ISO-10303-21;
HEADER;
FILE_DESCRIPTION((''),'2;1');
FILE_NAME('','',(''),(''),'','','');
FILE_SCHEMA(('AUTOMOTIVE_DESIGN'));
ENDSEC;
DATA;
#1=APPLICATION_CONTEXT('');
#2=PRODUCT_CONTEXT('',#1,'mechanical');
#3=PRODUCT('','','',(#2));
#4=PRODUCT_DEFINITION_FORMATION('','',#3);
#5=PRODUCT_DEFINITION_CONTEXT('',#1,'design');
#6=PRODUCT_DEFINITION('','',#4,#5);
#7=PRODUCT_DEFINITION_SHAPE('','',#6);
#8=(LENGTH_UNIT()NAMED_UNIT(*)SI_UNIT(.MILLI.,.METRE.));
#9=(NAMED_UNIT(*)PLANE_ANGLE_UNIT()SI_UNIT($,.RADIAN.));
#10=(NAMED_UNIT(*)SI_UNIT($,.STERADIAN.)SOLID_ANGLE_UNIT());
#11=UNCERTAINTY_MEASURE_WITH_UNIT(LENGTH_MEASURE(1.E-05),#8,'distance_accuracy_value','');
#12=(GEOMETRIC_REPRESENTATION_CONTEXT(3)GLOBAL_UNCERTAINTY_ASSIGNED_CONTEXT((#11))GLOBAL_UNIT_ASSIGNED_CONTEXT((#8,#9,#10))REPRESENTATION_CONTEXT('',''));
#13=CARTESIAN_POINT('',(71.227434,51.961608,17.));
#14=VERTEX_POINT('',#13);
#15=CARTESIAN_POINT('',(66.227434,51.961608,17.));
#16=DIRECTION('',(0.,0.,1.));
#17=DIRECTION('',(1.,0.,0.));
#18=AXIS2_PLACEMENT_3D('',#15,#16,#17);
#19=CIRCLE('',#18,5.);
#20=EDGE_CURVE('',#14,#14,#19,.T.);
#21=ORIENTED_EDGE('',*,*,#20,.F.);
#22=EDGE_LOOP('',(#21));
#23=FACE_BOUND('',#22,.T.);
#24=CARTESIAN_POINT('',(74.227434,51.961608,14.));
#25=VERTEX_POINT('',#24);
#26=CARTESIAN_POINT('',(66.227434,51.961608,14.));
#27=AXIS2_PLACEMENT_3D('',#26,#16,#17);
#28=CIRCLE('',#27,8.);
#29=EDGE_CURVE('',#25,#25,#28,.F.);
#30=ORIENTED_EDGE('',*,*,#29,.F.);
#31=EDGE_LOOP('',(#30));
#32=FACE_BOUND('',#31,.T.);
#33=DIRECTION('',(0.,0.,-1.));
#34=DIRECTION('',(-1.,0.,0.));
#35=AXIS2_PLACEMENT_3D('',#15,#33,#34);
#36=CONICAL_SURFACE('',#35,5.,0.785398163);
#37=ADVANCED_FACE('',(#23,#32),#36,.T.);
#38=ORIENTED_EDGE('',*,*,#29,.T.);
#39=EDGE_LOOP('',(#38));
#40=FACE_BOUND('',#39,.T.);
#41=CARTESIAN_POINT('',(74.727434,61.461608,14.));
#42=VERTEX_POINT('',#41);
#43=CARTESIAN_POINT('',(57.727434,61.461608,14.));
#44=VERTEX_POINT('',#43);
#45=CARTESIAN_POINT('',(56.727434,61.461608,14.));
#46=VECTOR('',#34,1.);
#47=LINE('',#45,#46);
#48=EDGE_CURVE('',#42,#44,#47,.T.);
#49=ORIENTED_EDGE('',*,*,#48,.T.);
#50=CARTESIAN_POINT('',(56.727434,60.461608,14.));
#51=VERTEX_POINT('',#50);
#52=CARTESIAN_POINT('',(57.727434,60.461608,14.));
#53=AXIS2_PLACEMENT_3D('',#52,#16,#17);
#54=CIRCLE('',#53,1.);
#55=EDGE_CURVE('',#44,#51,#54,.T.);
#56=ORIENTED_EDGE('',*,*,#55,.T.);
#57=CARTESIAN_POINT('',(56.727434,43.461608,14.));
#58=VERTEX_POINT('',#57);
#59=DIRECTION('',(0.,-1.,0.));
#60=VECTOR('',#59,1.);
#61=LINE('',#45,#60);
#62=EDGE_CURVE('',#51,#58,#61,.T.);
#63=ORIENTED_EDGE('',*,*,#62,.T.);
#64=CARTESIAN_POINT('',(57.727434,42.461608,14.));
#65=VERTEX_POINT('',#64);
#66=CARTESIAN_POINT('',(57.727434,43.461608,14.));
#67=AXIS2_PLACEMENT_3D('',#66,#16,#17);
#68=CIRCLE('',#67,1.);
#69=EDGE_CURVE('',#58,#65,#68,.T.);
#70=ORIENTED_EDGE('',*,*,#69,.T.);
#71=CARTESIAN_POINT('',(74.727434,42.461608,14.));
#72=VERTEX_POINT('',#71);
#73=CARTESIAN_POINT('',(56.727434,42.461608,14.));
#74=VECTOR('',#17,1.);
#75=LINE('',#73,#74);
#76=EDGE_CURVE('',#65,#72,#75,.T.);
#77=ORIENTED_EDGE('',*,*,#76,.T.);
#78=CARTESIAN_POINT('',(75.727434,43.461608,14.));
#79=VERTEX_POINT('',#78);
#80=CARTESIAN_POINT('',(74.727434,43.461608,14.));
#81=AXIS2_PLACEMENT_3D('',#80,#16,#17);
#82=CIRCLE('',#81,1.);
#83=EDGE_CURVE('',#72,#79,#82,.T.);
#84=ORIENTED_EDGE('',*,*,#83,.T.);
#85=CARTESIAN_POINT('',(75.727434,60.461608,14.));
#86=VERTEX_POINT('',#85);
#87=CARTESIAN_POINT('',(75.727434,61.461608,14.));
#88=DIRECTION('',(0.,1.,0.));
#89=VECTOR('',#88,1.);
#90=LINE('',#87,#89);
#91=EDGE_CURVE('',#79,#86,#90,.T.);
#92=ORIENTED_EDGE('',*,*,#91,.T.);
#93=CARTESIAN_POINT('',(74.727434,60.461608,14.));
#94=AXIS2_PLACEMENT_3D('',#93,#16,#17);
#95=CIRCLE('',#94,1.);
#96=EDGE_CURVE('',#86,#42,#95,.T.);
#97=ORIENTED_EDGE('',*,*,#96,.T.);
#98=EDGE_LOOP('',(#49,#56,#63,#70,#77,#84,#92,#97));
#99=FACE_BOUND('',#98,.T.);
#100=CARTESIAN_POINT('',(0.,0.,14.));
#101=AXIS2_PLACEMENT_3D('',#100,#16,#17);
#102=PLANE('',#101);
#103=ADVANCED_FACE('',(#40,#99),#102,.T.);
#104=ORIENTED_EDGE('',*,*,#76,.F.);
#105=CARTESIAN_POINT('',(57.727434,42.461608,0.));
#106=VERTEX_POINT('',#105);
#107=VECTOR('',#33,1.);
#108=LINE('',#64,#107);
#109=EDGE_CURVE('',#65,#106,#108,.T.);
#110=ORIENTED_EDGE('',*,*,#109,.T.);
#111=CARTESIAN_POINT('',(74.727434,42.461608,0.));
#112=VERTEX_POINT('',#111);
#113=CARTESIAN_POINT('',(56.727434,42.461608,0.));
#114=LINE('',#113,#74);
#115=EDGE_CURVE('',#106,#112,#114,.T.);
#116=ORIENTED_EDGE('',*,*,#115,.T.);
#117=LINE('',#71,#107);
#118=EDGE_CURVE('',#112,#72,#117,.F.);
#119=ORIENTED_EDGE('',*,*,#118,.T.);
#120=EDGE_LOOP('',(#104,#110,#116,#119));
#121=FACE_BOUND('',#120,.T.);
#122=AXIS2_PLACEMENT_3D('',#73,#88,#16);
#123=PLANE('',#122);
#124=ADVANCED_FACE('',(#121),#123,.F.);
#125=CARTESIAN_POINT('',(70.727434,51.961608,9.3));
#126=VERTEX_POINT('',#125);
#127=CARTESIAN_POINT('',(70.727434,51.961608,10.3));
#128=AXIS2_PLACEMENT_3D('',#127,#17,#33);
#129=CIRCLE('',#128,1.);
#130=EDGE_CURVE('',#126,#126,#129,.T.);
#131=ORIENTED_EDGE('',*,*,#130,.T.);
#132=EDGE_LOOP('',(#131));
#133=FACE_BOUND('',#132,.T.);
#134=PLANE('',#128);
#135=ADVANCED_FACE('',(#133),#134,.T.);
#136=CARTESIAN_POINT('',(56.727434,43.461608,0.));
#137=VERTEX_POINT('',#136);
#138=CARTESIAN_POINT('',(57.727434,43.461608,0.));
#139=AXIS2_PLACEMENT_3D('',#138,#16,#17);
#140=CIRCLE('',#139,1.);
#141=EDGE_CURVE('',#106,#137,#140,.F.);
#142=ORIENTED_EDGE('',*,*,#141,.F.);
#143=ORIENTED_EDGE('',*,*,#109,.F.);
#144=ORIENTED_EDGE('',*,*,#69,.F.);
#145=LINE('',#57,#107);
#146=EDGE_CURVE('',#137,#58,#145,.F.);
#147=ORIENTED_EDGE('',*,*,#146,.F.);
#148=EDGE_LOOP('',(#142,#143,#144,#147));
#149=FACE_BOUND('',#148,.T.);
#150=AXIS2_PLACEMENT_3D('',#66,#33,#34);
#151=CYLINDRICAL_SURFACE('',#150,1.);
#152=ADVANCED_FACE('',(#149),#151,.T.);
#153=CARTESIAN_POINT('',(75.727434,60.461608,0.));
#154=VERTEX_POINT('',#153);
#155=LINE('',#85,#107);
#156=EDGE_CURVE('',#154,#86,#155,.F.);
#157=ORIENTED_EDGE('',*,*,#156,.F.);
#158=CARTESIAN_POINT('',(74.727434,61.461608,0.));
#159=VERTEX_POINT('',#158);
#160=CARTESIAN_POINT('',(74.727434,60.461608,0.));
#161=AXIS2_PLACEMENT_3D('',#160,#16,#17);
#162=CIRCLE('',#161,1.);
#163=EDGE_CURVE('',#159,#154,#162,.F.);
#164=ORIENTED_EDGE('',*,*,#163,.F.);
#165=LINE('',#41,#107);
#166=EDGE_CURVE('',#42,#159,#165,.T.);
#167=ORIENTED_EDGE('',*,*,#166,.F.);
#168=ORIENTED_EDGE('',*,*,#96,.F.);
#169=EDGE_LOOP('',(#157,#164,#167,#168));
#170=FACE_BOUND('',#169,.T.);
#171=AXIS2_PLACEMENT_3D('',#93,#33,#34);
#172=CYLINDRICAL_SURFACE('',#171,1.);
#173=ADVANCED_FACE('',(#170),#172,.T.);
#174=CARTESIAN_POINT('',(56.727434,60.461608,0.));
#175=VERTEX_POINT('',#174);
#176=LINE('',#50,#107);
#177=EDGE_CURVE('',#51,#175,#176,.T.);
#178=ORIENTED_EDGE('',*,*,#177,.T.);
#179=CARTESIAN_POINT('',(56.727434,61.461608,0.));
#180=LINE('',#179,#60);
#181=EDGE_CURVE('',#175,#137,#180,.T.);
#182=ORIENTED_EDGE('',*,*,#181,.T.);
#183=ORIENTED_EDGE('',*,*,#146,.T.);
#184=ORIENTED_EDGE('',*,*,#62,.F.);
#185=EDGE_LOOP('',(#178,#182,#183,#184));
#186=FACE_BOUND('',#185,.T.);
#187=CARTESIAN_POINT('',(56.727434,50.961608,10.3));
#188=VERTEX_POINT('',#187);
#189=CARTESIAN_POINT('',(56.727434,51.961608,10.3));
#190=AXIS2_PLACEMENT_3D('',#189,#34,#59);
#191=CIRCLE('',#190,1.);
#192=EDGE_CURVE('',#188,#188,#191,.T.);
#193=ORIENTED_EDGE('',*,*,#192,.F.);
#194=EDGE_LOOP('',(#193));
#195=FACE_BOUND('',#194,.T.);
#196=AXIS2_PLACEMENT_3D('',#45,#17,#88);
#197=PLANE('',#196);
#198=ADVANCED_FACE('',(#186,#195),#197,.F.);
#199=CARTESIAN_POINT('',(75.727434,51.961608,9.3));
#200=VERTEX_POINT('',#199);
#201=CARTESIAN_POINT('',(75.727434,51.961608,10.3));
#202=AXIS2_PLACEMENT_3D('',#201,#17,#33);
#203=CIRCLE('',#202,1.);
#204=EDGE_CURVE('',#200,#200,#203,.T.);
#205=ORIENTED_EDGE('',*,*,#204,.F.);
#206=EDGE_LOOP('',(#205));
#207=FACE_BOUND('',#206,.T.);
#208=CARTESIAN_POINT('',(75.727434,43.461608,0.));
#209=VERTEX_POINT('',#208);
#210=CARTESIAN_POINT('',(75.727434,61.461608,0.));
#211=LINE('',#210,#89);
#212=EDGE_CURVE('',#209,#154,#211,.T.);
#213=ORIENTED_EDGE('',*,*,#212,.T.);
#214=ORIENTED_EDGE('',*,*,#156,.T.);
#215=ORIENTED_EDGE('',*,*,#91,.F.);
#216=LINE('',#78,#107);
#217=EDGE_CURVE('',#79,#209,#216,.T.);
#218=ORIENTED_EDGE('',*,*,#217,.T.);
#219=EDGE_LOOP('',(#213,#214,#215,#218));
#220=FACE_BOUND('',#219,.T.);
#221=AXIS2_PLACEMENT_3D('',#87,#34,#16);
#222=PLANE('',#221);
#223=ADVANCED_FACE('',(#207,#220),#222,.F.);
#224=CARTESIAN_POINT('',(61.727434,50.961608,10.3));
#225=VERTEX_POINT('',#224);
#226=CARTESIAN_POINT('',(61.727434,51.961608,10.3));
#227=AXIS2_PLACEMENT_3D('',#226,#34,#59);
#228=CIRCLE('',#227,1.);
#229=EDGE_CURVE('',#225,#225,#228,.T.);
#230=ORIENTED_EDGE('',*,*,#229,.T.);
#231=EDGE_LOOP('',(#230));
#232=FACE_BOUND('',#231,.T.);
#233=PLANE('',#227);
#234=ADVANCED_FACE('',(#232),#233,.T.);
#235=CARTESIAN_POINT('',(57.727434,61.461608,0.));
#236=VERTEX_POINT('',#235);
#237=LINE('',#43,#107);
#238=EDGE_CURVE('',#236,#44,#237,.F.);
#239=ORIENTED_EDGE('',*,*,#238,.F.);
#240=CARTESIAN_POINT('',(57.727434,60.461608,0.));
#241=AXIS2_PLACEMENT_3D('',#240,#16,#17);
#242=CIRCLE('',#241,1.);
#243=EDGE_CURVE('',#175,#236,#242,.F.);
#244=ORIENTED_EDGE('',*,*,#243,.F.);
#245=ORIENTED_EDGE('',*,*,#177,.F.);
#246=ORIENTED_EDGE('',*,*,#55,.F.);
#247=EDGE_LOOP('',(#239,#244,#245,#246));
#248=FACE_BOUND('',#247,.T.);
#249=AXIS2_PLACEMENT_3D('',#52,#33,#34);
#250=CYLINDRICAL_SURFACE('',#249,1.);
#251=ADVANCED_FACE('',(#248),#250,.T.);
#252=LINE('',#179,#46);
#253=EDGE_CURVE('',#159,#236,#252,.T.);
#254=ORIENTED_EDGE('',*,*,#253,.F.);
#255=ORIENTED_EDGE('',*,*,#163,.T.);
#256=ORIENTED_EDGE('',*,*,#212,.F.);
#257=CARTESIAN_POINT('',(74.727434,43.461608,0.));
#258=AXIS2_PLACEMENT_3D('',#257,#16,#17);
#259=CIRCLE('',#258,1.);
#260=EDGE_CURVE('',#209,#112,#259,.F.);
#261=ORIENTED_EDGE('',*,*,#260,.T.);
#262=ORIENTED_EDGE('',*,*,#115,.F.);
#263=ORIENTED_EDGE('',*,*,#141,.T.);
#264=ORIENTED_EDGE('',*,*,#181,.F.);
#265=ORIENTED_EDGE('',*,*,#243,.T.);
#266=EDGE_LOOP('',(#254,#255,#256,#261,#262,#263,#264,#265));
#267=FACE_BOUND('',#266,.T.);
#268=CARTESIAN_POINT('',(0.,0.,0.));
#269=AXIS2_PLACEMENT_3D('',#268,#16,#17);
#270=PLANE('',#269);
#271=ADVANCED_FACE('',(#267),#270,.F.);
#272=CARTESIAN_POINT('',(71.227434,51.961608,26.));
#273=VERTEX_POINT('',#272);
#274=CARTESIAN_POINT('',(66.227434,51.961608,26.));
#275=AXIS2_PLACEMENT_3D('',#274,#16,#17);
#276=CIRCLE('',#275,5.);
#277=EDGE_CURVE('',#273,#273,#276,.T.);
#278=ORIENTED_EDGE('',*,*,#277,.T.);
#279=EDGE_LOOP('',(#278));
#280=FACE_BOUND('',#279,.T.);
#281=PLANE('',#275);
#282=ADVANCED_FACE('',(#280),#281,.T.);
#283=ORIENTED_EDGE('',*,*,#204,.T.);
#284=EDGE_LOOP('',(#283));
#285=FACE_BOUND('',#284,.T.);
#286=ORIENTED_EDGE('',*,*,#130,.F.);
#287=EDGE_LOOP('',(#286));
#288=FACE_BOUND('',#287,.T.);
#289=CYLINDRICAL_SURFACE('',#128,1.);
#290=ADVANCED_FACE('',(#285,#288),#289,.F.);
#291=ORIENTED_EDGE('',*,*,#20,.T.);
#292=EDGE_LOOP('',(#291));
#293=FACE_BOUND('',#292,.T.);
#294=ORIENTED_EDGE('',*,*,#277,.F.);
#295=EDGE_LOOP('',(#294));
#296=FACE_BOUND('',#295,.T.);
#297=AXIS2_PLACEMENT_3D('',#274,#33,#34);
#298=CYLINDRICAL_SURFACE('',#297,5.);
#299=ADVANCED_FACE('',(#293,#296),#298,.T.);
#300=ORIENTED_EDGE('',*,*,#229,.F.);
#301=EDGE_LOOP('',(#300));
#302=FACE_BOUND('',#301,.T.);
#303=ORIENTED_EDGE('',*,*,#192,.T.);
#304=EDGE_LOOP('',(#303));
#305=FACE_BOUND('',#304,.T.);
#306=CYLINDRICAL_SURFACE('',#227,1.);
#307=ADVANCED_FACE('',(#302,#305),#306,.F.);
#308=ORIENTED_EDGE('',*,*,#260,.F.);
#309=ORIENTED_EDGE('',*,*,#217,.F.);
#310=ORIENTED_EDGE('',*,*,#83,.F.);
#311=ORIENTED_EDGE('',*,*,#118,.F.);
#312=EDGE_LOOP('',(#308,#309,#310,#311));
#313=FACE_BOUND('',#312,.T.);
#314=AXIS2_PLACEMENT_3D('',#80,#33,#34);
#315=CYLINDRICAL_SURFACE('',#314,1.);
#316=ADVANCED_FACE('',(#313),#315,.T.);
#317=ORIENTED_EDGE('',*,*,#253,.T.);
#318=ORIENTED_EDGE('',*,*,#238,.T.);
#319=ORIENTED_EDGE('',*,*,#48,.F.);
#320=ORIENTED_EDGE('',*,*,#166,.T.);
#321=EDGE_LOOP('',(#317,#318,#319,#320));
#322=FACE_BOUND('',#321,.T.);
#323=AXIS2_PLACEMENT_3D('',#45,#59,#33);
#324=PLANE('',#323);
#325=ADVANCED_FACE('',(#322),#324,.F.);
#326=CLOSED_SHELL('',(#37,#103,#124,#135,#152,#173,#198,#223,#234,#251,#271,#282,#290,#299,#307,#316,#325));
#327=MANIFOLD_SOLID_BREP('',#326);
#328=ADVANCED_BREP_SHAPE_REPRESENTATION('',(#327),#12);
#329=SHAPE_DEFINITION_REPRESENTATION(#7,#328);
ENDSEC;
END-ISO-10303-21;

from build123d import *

# Parameters (mm, degrees)
SKETCH1_W           = 19
SKETCH1_H           = 19
BOSS_EXTRUDE1_DEPTH = 14
FILLET1_R           = 1
SKETCH2_R           = 5
BOSS_EXTRUDE2_DEPTH = 12
CHAMFER1_SIZE       = 3
SKETCH3_R           = 1
CUT_EXTRUDE1_DEPTH  = 5
CUT_EXTRUDE2_START  = -5
SKETCH4_R           = 1
CUT_EXTRUDE2_DEPTH  = 5


with BuildPart() as part:
    # Sketch1 → Boss-Extrude1 (new body)
    with BuildSketch(Plane.XY):
        with Locations((66.227433771, 51.961607523)):
            Rectangle(SKETCH1_W, SKETCH1_H)
    extrude(amount=BOSS_EXTRUDE1_DEPTH)

    # Fillet1
    fillet1_edges = [part.edges().sort_by_distance(p)[0] for p in [
        (56.727433771, 61.461607523, 7),
        (75.727433771, 61.461607523, 7),
        (75.727433771, 42.461607523, 7),
        (56.727433771, 42.461607523, 7),
    ]]
    fillet(fillet1_edges, radius=FILLET1_R)

    # Sketch2 → Boss-Extrude2 (add)
    with BuildSketch(Plane.XY.offset(14)):
        with Locations((66.227433771, 51.961607523)):
            Circle(SKETCH2_R)
    extrude(amount=BOSS_EXTRUDE2_DEPTH)

    # Chamfer1
    chamfer1_edges = [part.edges().sort_by_distance(p)[0] for p in [
        (61.227433771, 51.961607523, 14),
    ]]
    chamfer(chamfer1_edges, length=CHAMFER1_SIZE)

    # Sketch3 → Cut-Extrude1 (cut)
    with BuildSketch(Plane.ZY.offset(-56.727433771)):
        with Locations(Location((10.3, 51.961607523, 0), (0, 0, 270))):
            Circle(SKETCH3_R)
    extrude(amount=-CUT_EXTRUDE1_DEPTH, mode=Mode.SUBTRACT)

    # Sketch4 → Cut-Extrude2 (cut)
    with BuildSketch(Plane(origin=(75.727433771, 0, 0), x_dir=(0, 0, -1), z_dir=(1, 0, 0)).offset(CUT_EXTRUDE2_START)):
        with Locations(Location((-10.3, 51.961607523, 0), (0, 0, 270))):
            Circle(SKETCH4_R)
    extrude(amount=CUT_EXTRUDE2_DEPTH, mode=Mode.SUBTRACT)


solid = part.part
